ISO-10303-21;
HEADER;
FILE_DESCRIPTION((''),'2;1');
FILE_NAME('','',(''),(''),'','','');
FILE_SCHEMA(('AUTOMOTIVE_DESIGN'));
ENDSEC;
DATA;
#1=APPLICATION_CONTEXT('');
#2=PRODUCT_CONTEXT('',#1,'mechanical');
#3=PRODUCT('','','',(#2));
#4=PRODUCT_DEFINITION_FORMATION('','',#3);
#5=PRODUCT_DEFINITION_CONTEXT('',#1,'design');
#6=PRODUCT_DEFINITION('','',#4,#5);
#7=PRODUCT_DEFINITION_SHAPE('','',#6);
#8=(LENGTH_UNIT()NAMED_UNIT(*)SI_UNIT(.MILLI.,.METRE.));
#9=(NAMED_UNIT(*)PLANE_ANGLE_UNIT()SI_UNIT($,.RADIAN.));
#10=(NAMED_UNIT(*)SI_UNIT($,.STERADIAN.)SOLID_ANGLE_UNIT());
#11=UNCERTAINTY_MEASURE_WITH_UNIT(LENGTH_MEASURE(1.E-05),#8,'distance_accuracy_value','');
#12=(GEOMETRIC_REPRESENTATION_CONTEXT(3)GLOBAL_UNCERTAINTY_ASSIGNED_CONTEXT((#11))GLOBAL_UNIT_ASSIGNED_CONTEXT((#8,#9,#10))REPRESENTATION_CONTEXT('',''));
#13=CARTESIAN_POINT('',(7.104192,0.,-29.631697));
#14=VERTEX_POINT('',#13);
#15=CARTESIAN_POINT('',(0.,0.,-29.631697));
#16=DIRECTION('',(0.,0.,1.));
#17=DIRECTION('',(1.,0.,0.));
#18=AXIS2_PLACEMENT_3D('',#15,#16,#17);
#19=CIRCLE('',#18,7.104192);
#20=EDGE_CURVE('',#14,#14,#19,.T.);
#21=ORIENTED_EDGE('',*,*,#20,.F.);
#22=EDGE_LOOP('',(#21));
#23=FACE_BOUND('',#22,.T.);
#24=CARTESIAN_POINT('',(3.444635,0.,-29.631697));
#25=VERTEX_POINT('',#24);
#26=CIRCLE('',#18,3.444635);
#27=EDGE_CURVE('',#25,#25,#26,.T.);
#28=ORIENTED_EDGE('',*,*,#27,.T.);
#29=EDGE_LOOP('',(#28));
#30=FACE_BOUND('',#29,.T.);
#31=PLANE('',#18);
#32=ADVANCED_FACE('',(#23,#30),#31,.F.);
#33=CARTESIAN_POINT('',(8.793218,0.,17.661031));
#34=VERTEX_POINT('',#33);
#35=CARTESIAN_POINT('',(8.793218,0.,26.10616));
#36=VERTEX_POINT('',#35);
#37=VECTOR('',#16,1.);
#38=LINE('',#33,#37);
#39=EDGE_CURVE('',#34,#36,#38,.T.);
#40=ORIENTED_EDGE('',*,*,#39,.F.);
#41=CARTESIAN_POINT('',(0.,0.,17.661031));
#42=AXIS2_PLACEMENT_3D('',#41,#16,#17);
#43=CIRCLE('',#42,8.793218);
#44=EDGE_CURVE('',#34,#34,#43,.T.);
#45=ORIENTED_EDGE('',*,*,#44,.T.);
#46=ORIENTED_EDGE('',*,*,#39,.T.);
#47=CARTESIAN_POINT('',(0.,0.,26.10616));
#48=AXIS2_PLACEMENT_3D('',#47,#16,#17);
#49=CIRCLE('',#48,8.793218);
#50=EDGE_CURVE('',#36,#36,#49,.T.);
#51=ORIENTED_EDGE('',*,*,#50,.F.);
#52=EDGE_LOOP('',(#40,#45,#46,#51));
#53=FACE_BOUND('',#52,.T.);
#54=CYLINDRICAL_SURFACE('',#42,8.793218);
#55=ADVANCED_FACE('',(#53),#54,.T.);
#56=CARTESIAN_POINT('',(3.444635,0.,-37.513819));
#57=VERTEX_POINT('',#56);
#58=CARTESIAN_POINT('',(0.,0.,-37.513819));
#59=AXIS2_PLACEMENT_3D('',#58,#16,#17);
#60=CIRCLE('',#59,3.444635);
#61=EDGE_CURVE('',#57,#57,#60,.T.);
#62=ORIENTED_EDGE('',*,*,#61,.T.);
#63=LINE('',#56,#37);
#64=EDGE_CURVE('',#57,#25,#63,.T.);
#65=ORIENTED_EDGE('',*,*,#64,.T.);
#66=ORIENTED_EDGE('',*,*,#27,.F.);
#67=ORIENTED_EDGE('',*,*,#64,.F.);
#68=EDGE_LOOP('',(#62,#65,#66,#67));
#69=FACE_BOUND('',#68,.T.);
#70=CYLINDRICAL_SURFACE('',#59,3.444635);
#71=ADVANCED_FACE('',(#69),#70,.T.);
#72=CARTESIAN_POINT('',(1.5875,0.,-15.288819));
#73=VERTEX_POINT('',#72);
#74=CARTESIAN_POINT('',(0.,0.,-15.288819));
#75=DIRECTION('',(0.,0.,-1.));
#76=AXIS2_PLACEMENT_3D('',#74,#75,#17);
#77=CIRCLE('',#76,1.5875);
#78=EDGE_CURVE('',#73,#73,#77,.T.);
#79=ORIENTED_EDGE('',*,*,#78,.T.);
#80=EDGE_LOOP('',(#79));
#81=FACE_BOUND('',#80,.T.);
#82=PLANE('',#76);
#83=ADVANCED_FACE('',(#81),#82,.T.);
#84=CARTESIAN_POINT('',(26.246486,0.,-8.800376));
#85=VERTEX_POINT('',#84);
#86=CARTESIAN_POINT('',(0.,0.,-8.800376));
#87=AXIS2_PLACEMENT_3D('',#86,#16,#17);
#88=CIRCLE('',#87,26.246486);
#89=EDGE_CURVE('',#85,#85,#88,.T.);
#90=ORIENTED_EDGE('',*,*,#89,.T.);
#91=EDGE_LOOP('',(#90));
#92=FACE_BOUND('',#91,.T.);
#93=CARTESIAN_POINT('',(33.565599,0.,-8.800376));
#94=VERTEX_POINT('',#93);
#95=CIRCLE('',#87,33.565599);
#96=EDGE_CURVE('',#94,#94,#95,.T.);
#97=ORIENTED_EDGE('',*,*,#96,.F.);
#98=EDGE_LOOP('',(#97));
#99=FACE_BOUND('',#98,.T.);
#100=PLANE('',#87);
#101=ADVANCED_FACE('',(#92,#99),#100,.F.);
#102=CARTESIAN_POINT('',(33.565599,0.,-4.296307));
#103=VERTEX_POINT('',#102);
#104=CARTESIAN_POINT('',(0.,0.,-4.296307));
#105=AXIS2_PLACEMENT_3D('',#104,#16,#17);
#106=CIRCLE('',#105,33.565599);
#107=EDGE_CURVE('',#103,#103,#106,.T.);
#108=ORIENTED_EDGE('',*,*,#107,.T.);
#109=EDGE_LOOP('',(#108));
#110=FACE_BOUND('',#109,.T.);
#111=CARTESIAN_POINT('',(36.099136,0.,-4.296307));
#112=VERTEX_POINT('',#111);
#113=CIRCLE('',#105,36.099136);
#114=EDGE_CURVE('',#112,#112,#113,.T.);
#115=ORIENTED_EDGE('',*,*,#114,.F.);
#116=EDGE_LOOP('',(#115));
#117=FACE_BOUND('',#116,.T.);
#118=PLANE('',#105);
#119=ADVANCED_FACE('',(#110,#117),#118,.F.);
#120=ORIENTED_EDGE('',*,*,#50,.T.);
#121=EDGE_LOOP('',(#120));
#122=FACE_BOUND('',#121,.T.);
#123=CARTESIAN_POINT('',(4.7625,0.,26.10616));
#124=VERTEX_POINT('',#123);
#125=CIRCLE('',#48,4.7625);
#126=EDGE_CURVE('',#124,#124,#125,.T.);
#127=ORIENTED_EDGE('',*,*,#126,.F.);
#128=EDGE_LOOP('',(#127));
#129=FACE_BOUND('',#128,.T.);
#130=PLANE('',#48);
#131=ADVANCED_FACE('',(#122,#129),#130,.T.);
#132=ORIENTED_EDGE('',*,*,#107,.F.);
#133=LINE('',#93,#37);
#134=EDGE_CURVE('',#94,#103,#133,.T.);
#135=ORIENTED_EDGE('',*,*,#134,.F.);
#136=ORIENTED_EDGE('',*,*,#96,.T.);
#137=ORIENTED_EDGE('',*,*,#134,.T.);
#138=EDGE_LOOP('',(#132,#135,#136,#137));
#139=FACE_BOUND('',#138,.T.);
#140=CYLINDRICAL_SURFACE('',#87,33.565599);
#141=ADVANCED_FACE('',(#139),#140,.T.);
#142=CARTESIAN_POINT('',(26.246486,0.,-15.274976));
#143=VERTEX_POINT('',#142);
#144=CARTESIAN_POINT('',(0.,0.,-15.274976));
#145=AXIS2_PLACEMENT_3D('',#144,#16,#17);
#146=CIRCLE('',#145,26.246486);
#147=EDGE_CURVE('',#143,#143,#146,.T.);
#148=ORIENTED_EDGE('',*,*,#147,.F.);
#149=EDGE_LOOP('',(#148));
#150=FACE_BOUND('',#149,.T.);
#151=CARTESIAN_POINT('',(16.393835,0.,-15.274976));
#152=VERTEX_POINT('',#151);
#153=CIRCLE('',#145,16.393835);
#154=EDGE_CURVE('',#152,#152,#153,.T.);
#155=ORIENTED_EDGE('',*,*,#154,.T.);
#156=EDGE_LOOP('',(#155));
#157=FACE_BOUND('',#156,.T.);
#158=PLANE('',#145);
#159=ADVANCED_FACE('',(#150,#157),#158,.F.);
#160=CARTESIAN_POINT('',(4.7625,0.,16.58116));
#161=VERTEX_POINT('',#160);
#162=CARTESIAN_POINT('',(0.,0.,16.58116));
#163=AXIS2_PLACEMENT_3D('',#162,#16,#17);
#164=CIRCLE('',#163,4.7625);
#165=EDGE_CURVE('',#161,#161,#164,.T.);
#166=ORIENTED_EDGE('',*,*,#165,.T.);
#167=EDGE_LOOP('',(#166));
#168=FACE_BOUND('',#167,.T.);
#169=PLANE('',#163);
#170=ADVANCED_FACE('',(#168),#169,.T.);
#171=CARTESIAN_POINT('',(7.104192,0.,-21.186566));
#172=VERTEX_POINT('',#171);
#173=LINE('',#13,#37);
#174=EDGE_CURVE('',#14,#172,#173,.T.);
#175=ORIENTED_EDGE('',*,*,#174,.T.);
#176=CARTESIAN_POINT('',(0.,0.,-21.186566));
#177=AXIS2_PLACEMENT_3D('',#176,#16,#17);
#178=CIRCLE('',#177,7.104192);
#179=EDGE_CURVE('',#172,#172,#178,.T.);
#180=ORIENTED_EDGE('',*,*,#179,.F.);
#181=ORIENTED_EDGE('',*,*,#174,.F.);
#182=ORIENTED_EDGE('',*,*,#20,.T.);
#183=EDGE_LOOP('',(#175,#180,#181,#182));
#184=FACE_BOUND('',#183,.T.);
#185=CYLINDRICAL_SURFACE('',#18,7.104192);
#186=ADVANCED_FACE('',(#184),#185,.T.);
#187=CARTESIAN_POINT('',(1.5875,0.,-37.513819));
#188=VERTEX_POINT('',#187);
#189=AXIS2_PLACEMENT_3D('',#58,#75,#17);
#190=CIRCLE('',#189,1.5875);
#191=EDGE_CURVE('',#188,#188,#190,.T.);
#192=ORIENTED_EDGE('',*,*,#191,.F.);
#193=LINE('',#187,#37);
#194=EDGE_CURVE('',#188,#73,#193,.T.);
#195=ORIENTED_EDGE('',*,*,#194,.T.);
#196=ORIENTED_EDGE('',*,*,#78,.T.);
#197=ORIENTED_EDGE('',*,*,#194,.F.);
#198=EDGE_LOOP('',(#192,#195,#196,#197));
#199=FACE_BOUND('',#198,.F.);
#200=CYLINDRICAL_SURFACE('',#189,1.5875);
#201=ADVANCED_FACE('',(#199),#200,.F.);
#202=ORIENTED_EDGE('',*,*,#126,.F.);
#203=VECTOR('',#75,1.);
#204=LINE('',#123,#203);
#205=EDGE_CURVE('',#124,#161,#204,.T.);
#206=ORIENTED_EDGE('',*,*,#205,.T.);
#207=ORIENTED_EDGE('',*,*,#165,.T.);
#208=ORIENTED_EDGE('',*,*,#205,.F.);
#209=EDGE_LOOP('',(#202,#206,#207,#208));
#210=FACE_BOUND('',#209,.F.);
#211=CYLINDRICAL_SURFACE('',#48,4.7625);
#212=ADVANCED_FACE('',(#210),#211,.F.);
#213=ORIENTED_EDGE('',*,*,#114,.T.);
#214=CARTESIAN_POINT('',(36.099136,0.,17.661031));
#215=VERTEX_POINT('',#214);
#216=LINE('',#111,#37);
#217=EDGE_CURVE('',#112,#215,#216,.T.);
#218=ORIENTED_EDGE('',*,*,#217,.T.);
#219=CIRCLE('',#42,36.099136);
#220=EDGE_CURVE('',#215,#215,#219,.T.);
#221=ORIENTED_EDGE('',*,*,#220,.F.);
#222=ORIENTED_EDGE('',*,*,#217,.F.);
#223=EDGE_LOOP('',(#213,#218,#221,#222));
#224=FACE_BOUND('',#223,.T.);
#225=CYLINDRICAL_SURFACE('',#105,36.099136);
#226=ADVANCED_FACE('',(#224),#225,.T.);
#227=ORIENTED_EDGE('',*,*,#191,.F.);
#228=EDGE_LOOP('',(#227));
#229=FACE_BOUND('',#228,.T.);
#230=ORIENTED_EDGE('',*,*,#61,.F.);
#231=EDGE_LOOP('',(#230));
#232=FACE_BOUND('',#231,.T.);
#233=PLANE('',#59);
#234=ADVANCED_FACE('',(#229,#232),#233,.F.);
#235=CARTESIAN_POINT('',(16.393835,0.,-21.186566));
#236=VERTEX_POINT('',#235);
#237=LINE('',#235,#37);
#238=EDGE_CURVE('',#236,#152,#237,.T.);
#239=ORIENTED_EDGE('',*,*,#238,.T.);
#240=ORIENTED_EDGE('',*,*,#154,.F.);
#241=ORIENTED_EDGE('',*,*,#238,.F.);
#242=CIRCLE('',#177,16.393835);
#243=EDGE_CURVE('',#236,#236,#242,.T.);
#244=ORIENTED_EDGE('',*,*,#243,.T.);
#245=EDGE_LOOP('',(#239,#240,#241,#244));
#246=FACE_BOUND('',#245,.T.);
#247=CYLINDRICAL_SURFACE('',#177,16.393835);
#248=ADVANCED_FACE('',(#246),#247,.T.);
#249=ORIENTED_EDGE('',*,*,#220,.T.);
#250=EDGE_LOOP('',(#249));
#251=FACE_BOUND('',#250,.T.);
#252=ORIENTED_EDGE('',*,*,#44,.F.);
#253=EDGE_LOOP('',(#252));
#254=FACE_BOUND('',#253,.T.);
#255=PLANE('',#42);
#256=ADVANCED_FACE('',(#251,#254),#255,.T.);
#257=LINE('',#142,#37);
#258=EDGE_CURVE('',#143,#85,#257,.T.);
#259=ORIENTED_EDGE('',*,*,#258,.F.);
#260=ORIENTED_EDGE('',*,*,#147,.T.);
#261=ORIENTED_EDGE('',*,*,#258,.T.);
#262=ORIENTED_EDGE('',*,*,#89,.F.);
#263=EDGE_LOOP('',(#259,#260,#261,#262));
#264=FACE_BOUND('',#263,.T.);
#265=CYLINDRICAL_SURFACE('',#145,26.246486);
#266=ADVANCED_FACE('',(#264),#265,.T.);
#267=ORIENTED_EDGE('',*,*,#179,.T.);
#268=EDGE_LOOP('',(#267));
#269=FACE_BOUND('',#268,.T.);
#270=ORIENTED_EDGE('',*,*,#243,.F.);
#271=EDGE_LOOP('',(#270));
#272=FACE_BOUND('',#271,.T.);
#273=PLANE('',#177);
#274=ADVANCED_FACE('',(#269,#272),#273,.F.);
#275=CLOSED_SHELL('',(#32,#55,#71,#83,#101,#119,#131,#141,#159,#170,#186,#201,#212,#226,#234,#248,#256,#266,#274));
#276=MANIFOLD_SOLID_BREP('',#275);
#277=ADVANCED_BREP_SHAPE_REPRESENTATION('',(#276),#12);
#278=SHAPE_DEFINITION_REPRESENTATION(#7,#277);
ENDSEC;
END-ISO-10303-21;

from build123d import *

# Parameters (mm, degrees)
F2_R     = 4.7625
F3_DEPTH = 9.525
F4_R     = 1.5875
F5_DEPTH = 22.225


with BuildPart() as f1:
    # F0 (on Front) → F1 (revolve)
    with BuildSketch(Plane.XZ):
        Polygon((8.793218, 26.10616), (0, 26.10616), (0, -37.513819), (3.444635, -37.513819), (3.444635, -29.631697), (7.104192, -29.631697), (7.104192, -21.186566), (16.393835, -21.186566), (16.393835, -15.274976), (26.246486, -15.274976), (26.246486, -8.800376), (33.565599, -8.800376), (33.565599, -4.296307), (36.099136, -4.296307), (36.099136, 17.661031), (8.793218, 17.661031), align=None)
    revolve(axis=Axis((0, 0, -5.703829), (0, 0, 1)))

    # F2 (on face) → F3 (cut)
    with BuildSketch(Plane.XY.offset(26.10616)):
        Circle(F2_R)
    extrude(amount=-F3_DEPTH, mode=Mode.SUBTRACT)

    # F4 (on face) → F5 (cut)
    with BuildSketch(Plane(origin=(0, 0, -37.513819), x_dir=(1, 0, 0), z_dir=(0, 0, -1))):
        Circle(F4_R)
    extrude(amount=-F5_DEPTH, mode=Mode.SUBTRACT)


solid = f1.part
